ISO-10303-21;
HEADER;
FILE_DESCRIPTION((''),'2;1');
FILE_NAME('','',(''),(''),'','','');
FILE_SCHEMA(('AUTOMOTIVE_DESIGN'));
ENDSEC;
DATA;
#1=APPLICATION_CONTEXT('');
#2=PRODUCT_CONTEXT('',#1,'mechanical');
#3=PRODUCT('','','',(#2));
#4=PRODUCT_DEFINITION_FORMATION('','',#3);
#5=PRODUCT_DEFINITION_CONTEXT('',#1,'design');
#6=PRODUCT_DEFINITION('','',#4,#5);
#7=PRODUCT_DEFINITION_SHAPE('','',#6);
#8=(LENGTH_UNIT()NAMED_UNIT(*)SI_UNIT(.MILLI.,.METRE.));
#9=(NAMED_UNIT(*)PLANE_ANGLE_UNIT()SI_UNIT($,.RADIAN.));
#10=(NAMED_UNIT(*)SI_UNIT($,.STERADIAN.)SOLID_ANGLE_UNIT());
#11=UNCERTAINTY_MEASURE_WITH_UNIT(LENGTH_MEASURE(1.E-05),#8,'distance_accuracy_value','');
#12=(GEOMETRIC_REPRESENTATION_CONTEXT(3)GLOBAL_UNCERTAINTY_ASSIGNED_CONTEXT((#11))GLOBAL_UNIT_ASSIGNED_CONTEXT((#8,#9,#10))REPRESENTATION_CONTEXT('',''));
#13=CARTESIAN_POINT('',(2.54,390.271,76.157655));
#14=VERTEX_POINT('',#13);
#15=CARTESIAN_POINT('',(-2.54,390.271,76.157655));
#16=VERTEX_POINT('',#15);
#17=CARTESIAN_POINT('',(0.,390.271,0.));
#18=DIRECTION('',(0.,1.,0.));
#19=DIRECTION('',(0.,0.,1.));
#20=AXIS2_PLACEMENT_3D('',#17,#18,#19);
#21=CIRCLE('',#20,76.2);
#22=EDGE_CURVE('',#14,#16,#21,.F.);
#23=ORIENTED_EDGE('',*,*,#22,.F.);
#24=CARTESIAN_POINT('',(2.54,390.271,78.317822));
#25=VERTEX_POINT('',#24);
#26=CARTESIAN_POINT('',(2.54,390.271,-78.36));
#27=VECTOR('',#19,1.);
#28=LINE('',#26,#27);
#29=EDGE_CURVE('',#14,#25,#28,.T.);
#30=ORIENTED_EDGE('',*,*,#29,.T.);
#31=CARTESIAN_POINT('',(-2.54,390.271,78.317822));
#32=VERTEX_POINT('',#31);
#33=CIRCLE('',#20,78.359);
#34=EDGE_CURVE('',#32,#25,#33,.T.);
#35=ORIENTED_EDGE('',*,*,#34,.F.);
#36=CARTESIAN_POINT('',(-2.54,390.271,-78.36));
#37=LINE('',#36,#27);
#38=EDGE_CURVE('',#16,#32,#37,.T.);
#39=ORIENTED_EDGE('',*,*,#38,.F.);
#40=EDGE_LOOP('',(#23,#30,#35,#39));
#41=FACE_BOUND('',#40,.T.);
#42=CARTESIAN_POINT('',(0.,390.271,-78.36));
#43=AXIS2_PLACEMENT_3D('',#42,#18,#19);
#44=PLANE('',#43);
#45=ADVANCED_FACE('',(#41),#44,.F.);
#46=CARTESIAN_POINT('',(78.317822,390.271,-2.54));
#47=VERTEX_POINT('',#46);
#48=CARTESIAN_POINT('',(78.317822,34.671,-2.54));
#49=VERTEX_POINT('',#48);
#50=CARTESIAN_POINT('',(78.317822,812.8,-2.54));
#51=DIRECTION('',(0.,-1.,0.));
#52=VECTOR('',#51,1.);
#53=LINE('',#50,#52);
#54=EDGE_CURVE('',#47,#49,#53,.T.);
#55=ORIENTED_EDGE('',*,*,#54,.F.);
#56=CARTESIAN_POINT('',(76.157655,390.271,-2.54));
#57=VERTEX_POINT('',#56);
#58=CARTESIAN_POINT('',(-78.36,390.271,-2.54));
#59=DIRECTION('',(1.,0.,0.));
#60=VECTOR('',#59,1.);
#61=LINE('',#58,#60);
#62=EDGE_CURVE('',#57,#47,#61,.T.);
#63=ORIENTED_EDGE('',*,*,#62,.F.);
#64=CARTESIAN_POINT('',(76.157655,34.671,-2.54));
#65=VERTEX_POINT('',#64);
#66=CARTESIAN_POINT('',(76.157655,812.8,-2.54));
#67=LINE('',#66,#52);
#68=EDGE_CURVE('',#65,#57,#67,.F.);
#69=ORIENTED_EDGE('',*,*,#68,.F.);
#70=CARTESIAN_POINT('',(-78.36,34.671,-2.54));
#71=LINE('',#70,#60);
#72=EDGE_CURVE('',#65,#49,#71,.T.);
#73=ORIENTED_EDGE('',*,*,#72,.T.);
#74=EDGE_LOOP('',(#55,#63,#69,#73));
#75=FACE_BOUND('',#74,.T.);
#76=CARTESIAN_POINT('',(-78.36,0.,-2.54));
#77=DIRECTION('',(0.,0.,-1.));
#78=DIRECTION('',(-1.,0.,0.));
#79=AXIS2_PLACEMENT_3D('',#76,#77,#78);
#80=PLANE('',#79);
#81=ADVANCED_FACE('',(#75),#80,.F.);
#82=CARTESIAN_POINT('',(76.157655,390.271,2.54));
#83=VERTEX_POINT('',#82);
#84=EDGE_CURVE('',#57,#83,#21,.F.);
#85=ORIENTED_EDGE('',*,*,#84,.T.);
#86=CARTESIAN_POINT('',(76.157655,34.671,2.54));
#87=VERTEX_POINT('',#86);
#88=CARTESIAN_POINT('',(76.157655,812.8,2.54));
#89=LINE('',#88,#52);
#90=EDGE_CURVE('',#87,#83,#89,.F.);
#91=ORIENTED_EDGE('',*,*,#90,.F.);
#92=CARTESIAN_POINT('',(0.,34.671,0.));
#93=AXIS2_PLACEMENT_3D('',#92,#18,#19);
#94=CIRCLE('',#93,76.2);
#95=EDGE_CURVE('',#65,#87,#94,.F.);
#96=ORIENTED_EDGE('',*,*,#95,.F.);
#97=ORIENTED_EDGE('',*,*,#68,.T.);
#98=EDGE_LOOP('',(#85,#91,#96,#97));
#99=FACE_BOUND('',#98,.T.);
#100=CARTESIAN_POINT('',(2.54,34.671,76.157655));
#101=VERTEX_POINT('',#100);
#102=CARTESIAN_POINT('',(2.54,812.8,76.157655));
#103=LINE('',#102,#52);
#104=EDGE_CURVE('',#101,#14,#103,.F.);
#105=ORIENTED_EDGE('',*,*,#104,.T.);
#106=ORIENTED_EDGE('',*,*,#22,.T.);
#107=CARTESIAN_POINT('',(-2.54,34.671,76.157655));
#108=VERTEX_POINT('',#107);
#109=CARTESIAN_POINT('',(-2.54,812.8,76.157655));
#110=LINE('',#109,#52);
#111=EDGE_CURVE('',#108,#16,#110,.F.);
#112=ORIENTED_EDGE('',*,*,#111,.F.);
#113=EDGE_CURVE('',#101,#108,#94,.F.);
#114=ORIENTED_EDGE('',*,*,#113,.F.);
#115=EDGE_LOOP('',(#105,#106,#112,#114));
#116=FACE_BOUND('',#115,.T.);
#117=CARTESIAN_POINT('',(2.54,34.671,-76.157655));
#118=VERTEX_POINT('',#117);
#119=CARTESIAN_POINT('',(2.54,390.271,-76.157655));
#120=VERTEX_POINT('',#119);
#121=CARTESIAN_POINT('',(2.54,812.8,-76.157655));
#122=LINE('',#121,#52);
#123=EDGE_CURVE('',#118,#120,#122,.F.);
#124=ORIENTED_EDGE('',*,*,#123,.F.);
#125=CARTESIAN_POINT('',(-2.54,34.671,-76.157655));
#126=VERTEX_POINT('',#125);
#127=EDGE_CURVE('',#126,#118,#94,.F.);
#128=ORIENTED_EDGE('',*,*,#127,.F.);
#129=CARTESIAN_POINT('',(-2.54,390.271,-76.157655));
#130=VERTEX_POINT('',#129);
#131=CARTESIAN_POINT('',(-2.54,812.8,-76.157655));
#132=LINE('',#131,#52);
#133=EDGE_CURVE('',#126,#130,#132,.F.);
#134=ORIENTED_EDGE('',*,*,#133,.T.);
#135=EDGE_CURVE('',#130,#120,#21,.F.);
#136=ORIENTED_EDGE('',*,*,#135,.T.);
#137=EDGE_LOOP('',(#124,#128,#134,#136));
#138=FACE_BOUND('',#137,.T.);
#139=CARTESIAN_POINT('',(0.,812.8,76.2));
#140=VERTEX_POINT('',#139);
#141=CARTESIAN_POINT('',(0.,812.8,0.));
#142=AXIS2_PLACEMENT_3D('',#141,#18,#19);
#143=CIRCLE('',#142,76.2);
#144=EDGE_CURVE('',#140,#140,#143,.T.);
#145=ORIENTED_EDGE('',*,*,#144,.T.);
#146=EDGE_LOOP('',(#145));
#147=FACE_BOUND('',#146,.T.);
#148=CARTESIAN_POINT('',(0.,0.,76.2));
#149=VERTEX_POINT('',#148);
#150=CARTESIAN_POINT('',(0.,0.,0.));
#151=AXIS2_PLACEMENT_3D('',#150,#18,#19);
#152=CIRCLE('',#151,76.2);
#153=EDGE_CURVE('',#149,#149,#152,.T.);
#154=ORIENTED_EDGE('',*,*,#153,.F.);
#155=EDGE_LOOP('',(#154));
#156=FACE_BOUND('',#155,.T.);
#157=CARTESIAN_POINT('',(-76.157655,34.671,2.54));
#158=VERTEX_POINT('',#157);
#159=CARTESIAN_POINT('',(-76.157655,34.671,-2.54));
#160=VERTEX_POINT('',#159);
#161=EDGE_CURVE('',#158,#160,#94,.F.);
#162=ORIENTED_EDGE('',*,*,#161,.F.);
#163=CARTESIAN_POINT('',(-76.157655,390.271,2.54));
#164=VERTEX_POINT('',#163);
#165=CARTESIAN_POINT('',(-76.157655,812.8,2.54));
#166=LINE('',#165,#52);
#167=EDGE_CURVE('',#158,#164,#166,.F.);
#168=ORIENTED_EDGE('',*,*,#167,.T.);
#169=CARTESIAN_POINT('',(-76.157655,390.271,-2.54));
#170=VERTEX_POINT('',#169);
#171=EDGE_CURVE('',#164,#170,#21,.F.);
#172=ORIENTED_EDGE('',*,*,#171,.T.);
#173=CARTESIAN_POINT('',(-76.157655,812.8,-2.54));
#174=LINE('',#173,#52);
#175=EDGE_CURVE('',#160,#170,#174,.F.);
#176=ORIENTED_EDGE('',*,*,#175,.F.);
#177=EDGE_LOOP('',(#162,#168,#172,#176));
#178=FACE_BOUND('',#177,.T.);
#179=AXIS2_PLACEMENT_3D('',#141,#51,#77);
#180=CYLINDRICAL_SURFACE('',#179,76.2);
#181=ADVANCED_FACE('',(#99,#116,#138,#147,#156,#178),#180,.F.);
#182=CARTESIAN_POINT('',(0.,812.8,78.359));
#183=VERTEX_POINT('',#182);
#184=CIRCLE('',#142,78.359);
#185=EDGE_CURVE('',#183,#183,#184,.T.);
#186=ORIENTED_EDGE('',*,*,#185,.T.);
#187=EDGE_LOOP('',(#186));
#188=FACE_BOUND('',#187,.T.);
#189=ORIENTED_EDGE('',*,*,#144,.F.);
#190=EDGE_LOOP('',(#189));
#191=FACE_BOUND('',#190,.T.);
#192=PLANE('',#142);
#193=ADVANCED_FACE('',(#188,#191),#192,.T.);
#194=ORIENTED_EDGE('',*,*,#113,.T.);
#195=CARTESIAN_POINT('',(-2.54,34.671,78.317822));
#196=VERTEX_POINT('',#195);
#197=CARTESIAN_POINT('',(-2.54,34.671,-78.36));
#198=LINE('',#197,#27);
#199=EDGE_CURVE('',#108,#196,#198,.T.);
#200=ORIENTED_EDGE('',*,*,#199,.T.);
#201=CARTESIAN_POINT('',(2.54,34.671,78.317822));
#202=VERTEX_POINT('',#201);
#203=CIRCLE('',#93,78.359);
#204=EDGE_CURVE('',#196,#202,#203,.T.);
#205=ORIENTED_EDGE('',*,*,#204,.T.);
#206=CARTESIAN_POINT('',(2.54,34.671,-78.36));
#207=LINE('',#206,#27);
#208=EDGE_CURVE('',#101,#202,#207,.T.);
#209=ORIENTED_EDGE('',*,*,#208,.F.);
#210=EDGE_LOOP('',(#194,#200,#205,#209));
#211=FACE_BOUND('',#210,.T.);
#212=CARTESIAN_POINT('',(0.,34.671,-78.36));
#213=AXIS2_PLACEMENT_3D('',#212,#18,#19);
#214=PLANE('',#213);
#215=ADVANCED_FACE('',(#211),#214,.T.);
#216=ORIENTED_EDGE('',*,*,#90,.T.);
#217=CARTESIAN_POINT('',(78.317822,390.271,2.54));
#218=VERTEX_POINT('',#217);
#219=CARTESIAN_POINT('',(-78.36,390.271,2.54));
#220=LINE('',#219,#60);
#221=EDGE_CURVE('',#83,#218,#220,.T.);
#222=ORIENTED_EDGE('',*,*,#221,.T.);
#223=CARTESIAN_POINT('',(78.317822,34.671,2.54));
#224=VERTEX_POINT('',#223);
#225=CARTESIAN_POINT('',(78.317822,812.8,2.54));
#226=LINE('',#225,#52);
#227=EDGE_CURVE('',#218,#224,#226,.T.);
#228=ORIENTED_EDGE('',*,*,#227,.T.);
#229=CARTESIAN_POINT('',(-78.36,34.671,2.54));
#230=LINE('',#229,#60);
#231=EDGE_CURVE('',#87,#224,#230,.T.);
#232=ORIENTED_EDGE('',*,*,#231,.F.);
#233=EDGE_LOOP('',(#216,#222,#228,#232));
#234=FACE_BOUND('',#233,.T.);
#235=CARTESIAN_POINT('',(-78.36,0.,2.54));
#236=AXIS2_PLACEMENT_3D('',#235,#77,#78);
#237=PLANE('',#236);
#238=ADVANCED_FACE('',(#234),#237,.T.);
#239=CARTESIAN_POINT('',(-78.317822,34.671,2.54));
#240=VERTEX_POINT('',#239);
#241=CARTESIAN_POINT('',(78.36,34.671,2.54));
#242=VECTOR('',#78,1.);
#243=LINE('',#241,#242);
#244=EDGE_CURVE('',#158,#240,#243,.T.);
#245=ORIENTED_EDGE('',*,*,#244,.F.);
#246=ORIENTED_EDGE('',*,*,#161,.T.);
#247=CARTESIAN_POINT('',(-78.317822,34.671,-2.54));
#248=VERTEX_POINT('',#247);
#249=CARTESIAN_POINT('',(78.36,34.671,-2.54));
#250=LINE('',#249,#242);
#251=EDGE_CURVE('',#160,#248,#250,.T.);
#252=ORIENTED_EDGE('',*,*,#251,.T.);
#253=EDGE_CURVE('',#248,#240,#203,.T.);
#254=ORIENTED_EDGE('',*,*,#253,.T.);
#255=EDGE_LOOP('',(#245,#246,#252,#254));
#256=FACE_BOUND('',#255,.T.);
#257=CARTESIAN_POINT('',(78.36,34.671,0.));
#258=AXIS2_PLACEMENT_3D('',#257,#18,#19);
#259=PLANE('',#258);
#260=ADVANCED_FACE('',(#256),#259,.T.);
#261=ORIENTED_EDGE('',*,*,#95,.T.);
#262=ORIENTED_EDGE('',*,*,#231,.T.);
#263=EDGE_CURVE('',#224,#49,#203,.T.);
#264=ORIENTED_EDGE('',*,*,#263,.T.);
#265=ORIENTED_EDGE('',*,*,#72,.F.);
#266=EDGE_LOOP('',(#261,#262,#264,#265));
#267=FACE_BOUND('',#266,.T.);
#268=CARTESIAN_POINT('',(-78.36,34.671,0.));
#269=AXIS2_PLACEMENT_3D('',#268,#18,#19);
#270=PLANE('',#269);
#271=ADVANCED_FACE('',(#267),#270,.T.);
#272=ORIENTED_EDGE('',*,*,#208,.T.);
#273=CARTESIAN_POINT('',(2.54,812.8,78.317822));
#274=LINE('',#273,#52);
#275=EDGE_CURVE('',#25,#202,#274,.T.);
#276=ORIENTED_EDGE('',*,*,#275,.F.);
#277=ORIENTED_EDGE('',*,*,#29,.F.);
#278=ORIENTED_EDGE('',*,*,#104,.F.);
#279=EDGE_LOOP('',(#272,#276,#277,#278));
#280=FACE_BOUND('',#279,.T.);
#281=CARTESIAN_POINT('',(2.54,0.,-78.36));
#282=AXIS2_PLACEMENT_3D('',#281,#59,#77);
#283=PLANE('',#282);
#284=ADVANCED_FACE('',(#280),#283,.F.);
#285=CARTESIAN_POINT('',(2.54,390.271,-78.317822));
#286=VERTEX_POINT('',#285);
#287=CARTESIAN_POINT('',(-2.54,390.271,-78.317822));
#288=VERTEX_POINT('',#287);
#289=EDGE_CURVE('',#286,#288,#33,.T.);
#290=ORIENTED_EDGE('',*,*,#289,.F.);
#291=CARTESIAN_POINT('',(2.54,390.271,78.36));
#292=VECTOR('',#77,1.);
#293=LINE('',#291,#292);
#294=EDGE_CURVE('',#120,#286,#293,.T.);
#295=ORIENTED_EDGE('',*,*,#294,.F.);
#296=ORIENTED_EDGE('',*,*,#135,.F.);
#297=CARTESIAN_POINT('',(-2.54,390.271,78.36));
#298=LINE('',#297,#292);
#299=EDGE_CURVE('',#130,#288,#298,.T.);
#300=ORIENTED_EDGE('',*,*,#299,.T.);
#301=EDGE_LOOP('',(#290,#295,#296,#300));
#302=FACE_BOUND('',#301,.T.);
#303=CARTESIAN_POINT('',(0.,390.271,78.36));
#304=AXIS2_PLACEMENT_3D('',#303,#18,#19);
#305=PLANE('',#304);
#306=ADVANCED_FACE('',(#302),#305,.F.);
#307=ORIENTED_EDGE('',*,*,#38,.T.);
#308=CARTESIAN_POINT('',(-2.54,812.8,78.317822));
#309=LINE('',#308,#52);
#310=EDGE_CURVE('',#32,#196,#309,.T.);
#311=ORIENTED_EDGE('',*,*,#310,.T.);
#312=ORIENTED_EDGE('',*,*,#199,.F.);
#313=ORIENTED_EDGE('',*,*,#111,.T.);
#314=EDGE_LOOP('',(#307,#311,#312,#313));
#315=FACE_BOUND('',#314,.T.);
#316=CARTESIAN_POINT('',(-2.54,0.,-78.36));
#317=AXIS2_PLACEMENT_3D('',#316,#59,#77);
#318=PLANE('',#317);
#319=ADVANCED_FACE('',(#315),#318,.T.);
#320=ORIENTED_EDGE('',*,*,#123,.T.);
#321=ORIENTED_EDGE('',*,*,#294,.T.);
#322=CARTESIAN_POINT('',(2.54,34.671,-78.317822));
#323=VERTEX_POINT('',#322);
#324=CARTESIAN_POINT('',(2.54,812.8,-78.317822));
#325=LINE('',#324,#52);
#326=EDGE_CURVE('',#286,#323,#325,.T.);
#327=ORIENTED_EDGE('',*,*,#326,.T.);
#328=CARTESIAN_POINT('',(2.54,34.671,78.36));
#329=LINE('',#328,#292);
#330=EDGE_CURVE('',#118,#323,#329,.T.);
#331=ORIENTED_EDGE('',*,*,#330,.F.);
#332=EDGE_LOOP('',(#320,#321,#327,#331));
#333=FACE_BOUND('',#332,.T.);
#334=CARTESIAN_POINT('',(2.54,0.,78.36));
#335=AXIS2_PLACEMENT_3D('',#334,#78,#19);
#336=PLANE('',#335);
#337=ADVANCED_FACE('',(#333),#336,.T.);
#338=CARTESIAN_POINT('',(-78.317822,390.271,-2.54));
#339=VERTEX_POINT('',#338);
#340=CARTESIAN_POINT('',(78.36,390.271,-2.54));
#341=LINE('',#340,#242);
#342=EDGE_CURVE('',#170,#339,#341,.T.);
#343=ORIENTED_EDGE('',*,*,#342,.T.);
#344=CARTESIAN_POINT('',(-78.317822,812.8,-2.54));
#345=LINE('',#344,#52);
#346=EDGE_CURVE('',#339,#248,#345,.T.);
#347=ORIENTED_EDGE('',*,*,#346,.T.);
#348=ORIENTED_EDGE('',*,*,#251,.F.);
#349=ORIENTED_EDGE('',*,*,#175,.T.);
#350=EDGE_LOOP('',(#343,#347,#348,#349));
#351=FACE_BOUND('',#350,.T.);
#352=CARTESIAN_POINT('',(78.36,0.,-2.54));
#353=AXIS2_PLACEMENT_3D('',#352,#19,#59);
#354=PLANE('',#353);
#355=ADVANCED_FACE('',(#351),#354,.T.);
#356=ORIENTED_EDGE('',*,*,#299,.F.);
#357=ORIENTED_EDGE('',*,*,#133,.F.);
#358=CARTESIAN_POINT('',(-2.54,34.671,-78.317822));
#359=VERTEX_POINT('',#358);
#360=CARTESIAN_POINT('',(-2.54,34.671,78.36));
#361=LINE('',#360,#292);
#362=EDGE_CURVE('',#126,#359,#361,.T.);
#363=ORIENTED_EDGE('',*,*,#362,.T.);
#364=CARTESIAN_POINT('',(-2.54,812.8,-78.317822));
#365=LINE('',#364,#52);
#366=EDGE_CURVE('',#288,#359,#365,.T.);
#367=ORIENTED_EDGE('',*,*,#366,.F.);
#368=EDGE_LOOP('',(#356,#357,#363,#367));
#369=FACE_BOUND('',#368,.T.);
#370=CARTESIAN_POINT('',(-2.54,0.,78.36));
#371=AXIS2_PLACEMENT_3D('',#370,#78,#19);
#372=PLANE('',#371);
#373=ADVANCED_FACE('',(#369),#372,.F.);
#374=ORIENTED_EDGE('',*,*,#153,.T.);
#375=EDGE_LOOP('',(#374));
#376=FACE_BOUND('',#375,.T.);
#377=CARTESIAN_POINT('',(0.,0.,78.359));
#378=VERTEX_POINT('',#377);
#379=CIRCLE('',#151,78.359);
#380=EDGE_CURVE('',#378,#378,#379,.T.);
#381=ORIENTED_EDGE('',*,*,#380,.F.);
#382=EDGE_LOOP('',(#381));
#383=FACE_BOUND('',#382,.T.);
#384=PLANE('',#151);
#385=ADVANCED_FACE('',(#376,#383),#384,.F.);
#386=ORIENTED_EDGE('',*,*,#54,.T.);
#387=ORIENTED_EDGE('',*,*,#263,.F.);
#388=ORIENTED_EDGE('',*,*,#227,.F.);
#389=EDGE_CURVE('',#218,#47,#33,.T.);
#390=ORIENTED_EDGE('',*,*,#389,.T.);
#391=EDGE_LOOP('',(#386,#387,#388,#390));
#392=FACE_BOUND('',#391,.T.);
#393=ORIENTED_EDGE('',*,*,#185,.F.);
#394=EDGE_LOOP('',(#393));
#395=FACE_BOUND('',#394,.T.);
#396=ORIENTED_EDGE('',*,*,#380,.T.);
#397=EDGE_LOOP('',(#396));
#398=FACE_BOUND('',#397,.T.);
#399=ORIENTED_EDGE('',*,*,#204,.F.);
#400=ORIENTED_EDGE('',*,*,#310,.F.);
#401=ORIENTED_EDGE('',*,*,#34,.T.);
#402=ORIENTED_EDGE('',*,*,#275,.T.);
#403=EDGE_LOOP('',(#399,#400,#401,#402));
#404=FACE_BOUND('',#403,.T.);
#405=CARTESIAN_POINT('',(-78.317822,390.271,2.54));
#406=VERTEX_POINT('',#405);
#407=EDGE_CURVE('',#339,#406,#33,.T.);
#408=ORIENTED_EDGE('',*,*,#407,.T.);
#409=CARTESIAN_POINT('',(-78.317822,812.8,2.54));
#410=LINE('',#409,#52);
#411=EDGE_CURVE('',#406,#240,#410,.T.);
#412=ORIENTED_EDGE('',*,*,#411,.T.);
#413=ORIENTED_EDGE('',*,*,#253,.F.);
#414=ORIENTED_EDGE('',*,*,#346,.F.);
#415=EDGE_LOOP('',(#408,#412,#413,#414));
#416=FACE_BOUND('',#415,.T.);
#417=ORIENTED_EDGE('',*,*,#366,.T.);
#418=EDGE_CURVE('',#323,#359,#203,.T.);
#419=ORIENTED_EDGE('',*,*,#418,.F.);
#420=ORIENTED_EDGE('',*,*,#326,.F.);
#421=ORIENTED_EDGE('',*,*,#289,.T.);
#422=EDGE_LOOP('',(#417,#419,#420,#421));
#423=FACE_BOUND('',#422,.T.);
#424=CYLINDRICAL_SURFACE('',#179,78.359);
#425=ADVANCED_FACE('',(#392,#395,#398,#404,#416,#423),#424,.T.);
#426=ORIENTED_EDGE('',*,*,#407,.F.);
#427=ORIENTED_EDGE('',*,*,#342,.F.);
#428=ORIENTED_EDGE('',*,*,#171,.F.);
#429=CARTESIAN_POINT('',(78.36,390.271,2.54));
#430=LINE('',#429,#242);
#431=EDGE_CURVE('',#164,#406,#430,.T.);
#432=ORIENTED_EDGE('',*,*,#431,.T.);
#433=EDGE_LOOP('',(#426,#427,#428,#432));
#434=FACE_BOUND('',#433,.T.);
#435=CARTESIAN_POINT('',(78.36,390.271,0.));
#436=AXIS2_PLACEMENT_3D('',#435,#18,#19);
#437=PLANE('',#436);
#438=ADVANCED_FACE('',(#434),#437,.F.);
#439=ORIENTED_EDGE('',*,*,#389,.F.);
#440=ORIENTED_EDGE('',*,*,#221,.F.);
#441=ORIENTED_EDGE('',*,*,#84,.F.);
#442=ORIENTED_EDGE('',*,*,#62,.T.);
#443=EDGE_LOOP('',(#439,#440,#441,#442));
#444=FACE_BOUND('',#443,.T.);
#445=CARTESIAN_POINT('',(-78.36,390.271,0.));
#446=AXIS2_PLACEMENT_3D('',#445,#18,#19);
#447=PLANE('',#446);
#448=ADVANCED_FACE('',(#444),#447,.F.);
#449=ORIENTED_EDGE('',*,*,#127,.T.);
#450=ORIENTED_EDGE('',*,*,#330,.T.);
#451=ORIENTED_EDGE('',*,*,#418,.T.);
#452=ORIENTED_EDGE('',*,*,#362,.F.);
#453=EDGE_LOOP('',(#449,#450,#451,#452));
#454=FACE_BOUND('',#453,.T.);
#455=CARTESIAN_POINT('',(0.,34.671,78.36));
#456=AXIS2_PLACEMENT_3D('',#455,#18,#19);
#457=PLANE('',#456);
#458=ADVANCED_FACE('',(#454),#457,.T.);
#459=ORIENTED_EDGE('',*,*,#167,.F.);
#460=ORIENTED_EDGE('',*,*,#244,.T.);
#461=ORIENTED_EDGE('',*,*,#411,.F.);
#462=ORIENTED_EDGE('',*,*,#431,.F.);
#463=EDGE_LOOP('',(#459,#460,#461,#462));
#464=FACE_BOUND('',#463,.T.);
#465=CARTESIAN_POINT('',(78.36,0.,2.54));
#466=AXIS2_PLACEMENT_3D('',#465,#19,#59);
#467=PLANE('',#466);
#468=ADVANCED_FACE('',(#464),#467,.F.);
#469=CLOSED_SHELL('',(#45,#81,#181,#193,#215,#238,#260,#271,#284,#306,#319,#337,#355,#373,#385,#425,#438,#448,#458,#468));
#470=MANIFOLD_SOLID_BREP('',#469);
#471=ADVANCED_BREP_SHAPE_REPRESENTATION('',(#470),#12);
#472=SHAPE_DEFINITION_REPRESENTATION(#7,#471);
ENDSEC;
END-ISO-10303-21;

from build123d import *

# Parameters (mm, degrees)
SUSTAINER_TUBE_PROFILE_R   = 78.359
SUSTAINER_TUBE_PROFILE_R_2 = 76.2
SUSTAINER_TUBE_BODY_DEPTH  = 812.8
FIN_SLOT_CUT_REACH         = 833.471
FIN_SLOT_CUT_END_RADIUS    = 76.2
FIN_SLOT_PROFILE_W         = 2.54
FIN_SLOT_PROFILE_H         = 355.6
FIN_SLOT_PATTERN_COUNT     = 4


with BuildPart() as part:
    # Sustainer Tube Profile → Sustainer Tube Body (new body)
    with BuildSketch(Plane(origin=(0, 0, 0), x_dir=(1, 0, 0), z_dir=(0, 1, 0))):
        with Locations(Location((0, 0, 0), (0, 0, 270))):
            Circle(SUSTAINER_TUBE_PROFILE_R)
        with Locations(Location((0, 0, 0), (0, 0, 270))):
            Circle(SUSTAINER_TUBE_PROFILE_R_2, mode=Mode.SUBTRACT)
    extrude(amount=SUSTAINER_TUBE_BODY_DEPTH)

    # Fin Slot Cut: up to this cylinder (the profile starts outside it)
    fin_slot_cut_end = Plane(origin=(0, 212.471, 0), z_dir=(0, -1, 0)) * Cylinder(FIN_SLOT_CUT_END_RADIUS, 1820.342, mode=Mode.PRIVATE)
    # Fin Slot Profile → Fin Slot Cut (cut, up to the surface)
    with BuildSketch(Plane.XY.offset(78.359), mode=Mode.PRIVATE) as fin_slot_cut_sk1:
        with Locations((1.27, 212.471)):
            Rectangle(FIN_SLOT_PROFILE_W, FIN_SLOT_PROFILE_H)
    fin_slot_cut_tool1 = extrude(fin_slot_cut_sk1.sketch, amount=-FIN_SLOT_CUT_REACH, mode=Mode.PRIVATE) - fin_slot_cut_end
    # Fin Slot Profile → Fin Slot Cut (cut, up to the surface)
    with BuildSketch(Plane.XY.offset(78.359), mode=Mode.PRIVATE) as fin_slot_cut_sk2:
        with Locations((-1.27, 212.471)):
            Rectangle(FIN_SLOT_PROFILE_W, FIN_SLOT_PROFILE_H)
    fin_slot_cut_tool2 = extrude(fin_slot_cut_sk2.sketch, amount=-FIN_SLOT_CUT_REACH, mode=Mode.PRIVATE) - fin_slot_cut_end
    fin_slot_cut = fin_slot_cut_tool1.solids().sort_by_distance((1.27, 212.471, 78.359))[0] + fin_slot_cut_tool2.solids().sort_by_distance((-1.27, 212.471, 78.359))[0]
    add(fin_slot_cut, mode=Mode.SUBTRACT)

    # Fin Slot Pattern: Fin Slot Cut ×4 about axis
    fin_slot_pattern_axis = Axis((0, 0, 0), (0, 1, 0))
    for i in range(1, FIN_SLOT_PATTERN_COUNT):
        add(fin_slot_cut.rotate(fin_slot_pattern_axis, i * 360 / FIN_SLOT_PATTERN_COUNT), mode=Mode.SUBTRACT)


solid = part.part
